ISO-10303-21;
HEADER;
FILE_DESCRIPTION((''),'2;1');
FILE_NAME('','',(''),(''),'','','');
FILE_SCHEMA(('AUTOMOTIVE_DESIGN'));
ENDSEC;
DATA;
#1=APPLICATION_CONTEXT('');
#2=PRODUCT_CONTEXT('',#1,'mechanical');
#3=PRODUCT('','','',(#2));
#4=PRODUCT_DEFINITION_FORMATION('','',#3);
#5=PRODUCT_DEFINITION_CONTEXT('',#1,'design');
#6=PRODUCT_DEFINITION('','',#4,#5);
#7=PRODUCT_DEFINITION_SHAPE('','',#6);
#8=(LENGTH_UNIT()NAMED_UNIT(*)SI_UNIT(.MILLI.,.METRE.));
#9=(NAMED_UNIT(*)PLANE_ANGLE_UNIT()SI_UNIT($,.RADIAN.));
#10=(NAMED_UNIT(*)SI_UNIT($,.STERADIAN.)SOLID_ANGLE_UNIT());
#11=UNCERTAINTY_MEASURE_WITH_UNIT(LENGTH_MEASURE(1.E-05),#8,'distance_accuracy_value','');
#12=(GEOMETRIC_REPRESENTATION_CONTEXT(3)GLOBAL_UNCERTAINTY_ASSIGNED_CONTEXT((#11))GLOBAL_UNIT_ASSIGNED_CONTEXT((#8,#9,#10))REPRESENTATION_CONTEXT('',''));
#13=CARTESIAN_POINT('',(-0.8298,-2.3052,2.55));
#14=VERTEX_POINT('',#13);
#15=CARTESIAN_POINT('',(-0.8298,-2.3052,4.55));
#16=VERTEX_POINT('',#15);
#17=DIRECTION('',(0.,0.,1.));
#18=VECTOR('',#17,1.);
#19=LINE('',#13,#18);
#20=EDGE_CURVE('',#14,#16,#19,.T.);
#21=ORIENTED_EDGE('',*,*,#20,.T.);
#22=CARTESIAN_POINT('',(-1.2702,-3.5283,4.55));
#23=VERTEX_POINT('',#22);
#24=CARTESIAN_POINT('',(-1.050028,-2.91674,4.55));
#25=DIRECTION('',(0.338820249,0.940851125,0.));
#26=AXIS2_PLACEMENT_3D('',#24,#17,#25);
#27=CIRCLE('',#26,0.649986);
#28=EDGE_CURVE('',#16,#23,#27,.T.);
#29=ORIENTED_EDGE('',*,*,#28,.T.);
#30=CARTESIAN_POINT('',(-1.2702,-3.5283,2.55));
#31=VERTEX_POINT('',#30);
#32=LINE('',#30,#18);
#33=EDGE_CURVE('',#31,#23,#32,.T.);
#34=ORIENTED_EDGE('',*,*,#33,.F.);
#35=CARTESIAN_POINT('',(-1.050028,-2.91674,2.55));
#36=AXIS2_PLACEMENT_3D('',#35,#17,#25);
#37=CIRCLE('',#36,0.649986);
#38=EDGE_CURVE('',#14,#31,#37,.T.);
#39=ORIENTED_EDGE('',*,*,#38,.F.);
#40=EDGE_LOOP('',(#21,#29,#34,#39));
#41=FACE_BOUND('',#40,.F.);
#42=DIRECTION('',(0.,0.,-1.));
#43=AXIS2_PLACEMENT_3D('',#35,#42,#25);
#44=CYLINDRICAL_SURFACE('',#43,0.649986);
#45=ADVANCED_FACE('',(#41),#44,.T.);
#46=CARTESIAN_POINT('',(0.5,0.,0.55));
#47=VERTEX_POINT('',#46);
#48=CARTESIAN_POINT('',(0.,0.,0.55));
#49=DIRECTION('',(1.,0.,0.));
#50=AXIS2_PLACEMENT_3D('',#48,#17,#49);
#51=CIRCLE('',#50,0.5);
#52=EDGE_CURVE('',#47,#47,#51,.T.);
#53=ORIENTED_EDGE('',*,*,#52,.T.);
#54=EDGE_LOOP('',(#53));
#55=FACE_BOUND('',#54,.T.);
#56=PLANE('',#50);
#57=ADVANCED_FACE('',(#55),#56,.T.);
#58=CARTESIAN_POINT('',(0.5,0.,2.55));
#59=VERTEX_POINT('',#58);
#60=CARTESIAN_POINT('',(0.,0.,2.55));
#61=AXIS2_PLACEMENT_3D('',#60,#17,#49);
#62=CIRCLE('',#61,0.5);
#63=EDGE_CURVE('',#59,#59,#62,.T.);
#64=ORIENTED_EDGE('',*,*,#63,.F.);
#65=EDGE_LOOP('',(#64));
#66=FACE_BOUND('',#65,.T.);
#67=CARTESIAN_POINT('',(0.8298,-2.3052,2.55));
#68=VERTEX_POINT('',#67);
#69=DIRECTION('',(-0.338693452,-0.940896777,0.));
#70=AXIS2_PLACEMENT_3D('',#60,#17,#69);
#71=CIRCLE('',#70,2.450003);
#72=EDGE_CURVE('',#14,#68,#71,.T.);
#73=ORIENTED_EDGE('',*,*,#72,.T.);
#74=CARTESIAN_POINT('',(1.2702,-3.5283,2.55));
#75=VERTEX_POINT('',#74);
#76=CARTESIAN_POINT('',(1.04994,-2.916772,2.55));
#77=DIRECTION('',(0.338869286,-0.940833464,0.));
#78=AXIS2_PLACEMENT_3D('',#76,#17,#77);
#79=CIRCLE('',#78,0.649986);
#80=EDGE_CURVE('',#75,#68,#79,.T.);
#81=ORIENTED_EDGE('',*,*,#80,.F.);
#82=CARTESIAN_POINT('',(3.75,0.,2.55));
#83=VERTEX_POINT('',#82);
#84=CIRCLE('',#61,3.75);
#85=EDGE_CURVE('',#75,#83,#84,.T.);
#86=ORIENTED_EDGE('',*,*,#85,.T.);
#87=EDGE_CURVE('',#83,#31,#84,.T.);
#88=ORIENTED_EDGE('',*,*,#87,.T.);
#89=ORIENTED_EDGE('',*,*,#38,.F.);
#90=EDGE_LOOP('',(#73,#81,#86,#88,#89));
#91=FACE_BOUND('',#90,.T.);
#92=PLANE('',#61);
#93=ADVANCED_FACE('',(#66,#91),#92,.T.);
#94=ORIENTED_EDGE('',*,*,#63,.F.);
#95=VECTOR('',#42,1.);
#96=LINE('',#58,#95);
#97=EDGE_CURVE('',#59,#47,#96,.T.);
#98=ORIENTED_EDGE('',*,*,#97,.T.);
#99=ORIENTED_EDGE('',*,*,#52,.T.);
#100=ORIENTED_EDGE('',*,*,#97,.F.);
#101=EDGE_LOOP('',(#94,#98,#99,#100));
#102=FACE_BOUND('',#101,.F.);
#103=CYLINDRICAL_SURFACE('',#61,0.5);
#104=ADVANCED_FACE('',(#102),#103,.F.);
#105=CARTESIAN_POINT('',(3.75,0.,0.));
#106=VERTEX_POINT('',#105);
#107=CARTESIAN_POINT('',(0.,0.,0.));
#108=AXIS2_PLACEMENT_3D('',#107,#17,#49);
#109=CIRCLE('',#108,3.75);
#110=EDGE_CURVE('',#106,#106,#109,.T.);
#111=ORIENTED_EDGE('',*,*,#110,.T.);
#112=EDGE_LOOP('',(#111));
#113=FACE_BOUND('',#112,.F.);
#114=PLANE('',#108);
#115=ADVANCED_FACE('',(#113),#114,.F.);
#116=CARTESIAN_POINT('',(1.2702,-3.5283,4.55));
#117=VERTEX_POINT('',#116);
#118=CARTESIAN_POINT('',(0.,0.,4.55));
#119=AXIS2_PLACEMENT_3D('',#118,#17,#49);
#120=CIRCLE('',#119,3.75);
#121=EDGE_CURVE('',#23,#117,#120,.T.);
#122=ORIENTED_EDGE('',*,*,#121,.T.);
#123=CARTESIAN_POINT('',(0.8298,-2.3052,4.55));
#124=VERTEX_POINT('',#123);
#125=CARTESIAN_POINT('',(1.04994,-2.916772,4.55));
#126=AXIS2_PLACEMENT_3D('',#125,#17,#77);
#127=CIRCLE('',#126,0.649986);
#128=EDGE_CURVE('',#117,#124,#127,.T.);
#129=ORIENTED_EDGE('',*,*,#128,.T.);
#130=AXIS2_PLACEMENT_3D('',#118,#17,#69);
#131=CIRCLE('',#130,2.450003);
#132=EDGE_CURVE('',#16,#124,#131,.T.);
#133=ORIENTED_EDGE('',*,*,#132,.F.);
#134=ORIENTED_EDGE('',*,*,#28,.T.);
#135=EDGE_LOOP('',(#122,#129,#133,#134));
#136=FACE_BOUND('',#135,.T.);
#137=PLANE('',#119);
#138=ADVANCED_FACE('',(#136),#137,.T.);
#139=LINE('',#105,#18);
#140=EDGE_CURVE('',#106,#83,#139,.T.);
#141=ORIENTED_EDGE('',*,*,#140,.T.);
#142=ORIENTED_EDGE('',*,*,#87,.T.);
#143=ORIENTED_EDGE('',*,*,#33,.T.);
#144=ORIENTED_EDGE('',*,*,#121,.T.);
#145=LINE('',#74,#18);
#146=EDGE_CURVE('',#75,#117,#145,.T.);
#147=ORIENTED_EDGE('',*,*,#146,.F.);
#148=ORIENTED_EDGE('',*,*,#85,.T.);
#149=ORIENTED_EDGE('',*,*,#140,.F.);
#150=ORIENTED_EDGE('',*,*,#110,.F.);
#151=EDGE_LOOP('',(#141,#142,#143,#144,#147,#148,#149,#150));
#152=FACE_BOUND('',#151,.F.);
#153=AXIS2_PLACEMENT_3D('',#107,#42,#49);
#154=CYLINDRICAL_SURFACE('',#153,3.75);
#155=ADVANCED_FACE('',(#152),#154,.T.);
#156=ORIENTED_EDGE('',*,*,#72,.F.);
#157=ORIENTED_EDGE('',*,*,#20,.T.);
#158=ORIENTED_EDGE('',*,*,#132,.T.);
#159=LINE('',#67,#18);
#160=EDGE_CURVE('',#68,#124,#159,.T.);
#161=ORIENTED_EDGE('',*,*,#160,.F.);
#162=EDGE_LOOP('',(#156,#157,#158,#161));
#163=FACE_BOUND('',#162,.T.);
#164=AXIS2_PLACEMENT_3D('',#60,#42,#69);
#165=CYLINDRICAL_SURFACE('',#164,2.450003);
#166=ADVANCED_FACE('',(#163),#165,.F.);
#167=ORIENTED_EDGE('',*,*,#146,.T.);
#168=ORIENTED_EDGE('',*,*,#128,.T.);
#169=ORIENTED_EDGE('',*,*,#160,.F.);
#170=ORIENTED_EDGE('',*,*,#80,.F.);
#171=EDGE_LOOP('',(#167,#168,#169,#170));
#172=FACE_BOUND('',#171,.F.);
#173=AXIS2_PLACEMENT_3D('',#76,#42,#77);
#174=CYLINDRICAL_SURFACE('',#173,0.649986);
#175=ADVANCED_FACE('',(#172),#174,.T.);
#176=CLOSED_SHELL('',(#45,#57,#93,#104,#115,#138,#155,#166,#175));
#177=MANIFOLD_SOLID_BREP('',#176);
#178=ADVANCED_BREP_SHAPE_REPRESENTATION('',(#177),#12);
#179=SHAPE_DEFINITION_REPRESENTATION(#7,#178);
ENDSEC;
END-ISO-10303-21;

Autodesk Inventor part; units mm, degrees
ref_plane "YZ Plane" through (0, 0, 0) normal (1, 0, 0) x (0, 1, 0)
ref_plane "XZ Plane" through (0, 0, 0) normal (0, 1, 0) x (-1, 0, 0)
ref_plane "XY Plane" through (0, 0, 0) normal (0, 0, 1) x (1, 0, 0)
sketch "Sketch1" plane through (0, 0, 0) normal (0, 0, 1) x (1, 0, 0)
  circle A0 centre (0, 0) radius 3.9 projected
  circle A1 centre (0, 0) radius 3.75
  dimension "d0" = 7.5
extrude "Extrusion1" add sketch "Sketch1" along normal blind 2.55 contours A1
sketch "Sketch2" plane through (0, 0, 2.55) normal (0, 0, 1) x (1, 0, 0)
  arc A0 (-0.8298, -2.3052) -> (0.8298, -2.3052) centre (0, 0) ccw
  circle A1 centre (0, 0) radius 3.75 projected
  circle A2 centre (0, 0) radius 3.75 projected
  arc A3 (1.2702, -3.5283) -> (0.8298, -2.3052) centre (1.05, -2.9168) ccw
  arc A4 (-0.8298, -2.3052) -> (-1.2702, -3.5283) centre (-1.05, -2.9168) ccw
  line L0 (0, -2.45) -> (0, 0)
  dimension "d3" = 1.3
  dimension "d4" = 3.4
extrude "Extrusion2" add sketch "Sketch2" along normal blind 2 contours A0 A3 A1 A4 picked at (0, -3.3001)
sketch "Sketch3" plane through (0, 0, 2.55) normal (0, 0, 1) x (1, 0, 0)
  circle A0 centre (0, 0) radius 0.5
  dimension "d7" = 1
extrude "Extrusion3" cut sketch "Sketch3" against normal blind 2
properties part number "j024 output"
